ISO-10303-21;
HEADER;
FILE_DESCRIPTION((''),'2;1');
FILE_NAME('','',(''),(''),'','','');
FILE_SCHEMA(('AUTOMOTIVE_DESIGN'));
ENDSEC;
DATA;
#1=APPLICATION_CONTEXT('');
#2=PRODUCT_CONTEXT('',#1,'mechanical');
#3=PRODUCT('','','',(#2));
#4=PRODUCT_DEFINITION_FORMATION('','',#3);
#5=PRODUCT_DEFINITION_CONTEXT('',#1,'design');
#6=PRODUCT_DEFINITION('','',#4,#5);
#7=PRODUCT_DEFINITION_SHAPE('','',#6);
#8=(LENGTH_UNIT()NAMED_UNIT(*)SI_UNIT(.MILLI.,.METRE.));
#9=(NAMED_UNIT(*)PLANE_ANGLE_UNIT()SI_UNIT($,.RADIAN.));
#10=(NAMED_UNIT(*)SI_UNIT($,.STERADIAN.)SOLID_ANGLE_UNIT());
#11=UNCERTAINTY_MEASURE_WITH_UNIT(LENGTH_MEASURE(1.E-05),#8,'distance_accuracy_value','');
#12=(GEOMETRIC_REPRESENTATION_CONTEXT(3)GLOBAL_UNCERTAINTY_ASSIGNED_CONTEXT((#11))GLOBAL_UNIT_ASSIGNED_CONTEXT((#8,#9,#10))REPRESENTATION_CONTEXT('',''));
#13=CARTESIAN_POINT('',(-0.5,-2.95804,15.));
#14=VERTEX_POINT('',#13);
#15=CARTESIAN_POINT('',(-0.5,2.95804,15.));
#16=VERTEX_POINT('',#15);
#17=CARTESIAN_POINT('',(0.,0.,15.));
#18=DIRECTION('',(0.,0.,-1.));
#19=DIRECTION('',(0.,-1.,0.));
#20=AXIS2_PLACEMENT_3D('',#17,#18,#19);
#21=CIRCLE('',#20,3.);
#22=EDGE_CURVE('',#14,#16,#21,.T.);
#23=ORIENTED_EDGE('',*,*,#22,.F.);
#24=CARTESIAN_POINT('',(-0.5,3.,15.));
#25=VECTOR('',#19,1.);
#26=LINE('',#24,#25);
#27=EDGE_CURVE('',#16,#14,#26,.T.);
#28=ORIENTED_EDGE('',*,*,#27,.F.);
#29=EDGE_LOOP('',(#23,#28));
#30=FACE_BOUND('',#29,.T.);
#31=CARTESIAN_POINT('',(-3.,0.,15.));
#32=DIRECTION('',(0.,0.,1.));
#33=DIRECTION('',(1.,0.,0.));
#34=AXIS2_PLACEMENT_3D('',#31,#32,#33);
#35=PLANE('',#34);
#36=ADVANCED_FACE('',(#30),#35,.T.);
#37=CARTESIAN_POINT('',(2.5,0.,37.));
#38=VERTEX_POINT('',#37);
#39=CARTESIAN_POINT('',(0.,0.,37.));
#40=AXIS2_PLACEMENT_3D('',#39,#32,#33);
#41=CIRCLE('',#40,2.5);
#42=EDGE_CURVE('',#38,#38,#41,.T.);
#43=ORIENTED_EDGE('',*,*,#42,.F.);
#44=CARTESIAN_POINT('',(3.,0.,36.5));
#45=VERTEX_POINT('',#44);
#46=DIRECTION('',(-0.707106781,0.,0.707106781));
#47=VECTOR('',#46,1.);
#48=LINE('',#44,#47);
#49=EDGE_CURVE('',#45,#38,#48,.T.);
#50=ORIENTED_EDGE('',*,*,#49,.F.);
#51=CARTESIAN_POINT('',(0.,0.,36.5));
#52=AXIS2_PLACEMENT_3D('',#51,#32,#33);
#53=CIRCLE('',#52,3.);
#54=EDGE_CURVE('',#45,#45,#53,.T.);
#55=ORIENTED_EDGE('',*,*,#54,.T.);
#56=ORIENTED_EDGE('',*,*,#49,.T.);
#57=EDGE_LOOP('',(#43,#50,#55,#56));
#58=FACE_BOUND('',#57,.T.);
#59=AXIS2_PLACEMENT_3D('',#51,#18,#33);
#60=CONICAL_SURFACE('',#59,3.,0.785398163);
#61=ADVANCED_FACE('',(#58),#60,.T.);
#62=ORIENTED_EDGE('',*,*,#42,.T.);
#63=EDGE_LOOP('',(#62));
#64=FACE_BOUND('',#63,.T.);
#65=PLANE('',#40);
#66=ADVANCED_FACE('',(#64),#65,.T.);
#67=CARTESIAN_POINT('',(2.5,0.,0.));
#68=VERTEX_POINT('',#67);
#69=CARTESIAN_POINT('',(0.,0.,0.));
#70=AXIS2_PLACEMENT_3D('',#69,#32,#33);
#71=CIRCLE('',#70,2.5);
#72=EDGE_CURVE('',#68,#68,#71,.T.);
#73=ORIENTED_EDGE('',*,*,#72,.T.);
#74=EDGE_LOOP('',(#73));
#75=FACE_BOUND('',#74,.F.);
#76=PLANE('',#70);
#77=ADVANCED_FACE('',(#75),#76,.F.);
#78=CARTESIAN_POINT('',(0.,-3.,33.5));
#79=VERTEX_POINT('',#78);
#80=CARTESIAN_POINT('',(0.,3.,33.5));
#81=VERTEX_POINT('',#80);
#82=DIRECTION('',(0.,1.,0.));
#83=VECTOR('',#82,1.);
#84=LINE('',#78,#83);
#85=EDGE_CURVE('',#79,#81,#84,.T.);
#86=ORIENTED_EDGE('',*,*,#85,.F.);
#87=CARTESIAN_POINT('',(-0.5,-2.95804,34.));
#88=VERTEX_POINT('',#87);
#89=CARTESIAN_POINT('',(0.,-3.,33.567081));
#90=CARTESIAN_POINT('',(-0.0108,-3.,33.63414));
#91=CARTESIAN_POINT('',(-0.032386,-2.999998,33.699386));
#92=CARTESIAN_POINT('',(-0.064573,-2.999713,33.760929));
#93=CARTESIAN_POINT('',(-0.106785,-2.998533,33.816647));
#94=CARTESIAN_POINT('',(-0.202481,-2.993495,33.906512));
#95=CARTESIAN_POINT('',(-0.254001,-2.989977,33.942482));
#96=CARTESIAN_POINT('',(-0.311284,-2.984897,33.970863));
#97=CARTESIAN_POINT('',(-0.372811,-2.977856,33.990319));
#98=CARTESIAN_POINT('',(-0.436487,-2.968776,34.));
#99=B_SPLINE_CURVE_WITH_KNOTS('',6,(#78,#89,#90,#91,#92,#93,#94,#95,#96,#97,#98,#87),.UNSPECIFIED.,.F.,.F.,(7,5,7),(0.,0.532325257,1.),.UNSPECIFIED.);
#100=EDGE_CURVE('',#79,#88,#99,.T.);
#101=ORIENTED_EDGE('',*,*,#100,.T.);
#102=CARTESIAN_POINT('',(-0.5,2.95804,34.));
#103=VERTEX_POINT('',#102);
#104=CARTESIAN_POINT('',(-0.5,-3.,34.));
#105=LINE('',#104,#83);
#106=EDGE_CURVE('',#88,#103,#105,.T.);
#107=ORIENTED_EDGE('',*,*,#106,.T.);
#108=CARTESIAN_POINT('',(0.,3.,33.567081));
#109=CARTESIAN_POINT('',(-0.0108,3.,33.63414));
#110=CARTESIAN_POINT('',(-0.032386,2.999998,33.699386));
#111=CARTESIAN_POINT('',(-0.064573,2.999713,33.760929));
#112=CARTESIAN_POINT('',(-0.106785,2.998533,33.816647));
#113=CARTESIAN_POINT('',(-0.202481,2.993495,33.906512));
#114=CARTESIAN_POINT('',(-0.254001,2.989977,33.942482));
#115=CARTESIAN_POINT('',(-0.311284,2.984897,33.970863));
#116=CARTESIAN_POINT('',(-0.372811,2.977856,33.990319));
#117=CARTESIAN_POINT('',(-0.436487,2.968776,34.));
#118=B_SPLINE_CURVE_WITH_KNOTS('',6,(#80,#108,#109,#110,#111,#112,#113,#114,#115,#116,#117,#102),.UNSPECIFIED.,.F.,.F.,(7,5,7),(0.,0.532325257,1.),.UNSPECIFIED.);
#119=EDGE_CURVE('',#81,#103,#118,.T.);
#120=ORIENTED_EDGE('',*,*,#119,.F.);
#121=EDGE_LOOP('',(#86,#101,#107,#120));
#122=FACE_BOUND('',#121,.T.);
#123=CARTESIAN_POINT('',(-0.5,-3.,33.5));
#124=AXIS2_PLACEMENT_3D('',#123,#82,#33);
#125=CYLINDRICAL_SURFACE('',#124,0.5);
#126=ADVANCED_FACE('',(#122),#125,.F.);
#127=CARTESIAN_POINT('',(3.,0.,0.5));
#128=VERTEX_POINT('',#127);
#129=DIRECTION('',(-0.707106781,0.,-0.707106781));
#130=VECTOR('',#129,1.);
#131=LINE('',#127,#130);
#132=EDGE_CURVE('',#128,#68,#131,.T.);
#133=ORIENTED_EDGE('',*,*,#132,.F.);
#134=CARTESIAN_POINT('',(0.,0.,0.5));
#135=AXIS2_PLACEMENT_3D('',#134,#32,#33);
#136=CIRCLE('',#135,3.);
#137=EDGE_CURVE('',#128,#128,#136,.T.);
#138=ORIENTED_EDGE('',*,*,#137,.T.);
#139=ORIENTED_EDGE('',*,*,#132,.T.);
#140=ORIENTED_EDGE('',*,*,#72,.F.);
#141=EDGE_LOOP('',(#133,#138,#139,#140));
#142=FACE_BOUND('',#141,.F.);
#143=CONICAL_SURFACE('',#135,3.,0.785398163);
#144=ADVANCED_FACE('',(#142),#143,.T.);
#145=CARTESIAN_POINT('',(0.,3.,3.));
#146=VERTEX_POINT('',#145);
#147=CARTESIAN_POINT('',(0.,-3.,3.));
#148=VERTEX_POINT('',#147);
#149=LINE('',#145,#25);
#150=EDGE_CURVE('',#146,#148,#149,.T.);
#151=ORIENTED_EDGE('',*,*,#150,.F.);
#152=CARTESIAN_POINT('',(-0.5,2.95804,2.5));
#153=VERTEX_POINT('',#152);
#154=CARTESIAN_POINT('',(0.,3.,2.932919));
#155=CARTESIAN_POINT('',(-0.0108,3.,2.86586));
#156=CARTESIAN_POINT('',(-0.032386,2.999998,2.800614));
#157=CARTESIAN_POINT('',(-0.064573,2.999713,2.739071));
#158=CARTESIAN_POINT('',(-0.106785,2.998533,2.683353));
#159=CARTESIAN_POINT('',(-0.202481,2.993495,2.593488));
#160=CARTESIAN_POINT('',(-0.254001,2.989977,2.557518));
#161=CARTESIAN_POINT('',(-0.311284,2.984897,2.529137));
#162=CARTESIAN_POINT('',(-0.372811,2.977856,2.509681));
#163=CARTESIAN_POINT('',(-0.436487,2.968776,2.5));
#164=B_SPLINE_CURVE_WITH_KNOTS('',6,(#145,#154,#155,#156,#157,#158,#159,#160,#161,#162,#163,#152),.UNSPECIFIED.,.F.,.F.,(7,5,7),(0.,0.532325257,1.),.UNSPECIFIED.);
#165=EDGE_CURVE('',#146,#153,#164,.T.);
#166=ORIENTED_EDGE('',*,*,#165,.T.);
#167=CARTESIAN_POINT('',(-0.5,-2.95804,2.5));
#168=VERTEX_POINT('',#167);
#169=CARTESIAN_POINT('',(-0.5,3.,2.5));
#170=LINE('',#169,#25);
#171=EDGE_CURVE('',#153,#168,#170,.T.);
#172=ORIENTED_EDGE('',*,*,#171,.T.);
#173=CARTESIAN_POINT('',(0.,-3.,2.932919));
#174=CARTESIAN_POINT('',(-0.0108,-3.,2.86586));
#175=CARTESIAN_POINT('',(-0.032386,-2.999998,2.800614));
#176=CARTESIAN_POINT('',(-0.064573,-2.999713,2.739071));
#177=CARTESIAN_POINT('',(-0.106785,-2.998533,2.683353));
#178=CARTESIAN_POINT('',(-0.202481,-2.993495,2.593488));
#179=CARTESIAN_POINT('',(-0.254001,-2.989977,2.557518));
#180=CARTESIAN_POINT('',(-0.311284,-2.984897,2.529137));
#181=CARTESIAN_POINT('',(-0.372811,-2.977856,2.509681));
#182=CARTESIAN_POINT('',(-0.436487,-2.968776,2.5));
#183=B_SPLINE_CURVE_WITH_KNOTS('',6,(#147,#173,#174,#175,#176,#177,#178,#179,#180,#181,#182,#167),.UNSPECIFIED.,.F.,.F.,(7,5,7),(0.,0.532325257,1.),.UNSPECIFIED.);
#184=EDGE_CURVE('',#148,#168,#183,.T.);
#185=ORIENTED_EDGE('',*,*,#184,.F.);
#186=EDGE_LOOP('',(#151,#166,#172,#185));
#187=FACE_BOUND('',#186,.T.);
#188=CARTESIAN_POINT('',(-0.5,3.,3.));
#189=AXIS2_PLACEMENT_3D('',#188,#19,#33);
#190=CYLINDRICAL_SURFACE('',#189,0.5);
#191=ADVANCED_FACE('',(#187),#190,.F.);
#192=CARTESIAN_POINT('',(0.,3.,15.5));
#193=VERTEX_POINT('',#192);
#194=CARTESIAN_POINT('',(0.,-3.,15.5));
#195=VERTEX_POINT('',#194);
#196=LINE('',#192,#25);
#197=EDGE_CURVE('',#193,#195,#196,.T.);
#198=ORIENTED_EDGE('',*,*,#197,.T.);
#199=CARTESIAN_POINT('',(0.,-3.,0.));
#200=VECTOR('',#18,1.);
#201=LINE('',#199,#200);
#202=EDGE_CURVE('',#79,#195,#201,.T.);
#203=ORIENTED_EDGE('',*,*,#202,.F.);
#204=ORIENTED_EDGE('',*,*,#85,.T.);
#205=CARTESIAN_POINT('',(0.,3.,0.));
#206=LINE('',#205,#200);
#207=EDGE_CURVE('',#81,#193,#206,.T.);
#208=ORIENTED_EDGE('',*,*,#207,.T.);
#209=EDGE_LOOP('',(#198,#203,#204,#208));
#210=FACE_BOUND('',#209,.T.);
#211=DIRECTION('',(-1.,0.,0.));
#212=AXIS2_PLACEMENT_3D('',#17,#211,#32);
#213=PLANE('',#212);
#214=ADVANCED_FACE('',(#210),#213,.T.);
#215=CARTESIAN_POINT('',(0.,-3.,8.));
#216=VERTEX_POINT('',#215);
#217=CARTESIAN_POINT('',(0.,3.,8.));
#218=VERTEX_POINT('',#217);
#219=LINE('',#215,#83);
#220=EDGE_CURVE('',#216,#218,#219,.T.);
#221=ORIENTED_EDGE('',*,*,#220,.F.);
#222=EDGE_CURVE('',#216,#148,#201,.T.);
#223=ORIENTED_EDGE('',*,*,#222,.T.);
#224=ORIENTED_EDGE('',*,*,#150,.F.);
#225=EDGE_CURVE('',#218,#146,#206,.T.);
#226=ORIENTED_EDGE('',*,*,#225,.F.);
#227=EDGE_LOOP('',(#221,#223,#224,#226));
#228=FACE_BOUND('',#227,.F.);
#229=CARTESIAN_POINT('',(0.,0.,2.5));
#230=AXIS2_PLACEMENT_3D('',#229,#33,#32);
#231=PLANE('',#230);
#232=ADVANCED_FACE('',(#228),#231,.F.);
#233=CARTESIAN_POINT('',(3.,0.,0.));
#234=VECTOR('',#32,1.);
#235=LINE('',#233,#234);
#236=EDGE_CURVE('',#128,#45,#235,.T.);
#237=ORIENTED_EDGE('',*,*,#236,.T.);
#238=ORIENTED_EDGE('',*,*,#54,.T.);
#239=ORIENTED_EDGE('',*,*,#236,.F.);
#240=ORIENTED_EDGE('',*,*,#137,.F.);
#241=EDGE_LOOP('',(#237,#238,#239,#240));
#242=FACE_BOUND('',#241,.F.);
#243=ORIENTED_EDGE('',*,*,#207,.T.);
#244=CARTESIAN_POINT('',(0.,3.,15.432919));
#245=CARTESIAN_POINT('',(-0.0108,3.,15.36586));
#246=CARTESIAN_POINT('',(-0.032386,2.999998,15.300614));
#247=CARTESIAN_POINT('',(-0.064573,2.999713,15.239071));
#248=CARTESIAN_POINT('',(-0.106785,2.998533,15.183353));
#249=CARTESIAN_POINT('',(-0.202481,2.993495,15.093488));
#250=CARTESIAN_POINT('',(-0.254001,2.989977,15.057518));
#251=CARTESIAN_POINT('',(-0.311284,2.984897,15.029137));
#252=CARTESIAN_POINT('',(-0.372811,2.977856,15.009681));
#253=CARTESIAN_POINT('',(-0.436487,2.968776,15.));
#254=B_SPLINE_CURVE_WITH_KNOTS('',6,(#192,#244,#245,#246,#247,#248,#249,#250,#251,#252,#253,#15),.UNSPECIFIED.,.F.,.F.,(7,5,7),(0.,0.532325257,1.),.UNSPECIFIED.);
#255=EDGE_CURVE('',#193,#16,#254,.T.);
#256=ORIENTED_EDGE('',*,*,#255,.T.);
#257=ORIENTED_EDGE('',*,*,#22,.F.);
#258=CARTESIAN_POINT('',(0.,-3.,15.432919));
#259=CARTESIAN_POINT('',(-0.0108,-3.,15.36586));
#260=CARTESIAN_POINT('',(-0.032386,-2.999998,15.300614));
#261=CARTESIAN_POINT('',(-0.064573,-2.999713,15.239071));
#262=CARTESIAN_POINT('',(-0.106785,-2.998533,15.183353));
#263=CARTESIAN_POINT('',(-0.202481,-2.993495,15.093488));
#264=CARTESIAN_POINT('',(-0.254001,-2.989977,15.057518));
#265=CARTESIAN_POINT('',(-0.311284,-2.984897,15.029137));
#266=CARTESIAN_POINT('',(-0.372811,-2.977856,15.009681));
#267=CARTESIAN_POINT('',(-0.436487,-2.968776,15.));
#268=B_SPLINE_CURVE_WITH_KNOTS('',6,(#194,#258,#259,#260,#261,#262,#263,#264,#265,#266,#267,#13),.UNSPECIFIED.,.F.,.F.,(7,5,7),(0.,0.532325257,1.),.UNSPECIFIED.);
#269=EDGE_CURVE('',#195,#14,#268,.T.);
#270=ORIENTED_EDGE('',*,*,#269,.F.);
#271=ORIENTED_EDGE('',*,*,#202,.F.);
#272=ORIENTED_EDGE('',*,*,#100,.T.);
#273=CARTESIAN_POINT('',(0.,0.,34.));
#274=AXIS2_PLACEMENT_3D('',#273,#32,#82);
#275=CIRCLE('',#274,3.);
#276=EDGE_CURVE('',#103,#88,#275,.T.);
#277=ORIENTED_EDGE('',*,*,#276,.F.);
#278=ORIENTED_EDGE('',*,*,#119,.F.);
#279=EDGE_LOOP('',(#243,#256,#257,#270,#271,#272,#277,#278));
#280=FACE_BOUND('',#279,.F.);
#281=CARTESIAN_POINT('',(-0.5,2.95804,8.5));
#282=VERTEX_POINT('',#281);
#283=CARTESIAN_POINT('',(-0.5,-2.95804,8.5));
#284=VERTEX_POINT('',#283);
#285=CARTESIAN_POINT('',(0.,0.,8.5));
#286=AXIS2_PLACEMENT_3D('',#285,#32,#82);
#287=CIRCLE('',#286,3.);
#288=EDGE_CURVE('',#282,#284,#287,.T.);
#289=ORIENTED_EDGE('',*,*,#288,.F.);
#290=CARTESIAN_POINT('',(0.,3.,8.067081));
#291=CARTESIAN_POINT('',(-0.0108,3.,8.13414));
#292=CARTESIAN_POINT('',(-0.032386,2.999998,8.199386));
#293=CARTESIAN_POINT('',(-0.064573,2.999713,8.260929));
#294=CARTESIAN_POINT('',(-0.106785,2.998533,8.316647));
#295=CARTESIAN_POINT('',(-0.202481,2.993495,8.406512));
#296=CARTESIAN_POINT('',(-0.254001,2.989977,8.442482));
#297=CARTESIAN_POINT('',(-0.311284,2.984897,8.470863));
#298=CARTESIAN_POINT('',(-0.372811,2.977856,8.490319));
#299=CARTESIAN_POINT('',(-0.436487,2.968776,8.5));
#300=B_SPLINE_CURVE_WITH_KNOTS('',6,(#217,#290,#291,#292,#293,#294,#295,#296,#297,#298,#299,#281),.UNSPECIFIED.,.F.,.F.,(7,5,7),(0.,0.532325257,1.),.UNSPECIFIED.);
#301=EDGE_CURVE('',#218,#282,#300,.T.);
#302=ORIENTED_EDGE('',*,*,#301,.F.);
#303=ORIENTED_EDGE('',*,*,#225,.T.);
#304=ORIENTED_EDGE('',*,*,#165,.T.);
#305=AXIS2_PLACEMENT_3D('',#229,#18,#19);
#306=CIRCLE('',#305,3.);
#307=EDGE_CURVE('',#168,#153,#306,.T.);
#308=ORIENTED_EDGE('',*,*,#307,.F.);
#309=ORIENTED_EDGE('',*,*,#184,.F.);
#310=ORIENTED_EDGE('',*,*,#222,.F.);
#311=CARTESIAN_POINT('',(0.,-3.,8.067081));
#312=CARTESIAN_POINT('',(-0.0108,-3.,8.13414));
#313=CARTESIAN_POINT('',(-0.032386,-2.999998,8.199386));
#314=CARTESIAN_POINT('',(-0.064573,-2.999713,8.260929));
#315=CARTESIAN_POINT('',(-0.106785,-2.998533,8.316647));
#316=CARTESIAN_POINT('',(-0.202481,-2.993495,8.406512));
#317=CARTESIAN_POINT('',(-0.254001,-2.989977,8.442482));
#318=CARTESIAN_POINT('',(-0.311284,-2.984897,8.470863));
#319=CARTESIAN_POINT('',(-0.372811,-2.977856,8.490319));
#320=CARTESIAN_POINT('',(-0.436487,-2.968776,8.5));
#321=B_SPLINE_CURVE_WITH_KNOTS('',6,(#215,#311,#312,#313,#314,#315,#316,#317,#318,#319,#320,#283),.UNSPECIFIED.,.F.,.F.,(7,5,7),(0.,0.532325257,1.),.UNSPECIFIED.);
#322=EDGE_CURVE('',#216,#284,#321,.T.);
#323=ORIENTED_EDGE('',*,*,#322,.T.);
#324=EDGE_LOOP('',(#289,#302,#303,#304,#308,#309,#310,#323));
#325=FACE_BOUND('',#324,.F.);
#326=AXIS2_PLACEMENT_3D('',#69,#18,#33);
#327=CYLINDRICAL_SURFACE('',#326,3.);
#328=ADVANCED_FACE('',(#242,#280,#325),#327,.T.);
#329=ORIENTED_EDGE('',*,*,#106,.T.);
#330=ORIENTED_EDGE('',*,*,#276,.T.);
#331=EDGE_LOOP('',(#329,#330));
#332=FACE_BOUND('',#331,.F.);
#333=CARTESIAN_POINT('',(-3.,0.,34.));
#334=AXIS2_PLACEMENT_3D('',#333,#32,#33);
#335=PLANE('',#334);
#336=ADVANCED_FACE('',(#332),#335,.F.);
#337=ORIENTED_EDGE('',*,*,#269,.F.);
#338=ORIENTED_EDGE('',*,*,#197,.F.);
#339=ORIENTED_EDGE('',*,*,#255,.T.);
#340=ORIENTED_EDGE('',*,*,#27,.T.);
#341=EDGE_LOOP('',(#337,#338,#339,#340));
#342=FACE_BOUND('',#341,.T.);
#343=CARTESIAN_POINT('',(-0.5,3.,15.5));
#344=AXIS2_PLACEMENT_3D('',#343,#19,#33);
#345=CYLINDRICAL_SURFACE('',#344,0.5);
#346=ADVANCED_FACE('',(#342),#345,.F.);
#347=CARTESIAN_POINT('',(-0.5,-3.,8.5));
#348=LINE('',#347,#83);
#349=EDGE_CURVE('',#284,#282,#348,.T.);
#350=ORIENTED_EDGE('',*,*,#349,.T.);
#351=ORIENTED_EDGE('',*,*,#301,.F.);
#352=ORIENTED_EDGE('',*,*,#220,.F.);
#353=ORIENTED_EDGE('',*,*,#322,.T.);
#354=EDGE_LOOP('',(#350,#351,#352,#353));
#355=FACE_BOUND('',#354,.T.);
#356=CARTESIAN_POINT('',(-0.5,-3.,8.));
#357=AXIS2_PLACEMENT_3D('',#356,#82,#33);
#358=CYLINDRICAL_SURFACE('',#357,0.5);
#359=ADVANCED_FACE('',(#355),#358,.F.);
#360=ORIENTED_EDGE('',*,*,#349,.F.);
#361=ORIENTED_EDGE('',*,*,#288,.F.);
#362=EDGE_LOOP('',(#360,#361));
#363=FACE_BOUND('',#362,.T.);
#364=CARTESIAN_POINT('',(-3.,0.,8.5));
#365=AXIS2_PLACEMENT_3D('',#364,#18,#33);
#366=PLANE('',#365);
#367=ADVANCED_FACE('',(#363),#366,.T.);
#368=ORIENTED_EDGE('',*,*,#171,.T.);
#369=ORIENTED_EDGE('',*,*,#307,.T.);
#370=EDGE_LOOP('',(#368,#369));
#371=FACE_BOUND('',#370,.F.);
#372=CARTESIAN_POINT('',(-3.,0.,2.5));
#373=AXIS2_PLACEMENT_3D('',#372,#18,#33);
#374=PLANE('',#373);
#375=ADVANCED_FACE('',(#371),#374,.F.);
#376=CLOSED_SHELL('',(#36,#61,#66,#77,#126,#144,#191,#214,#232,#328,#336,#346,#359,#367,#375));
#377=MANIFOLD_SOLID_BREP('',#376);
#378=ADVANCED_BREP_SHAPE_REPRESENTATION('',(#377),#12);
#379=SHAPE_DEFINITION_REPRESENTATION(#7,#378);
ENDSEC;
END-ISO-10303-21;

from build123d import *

# Parameters (mm, degrees)
F0_R     = 3
F1_DEPTH = 37
F2_W     = 3
F2_H     = 19
F2_H_2   = 6
F3_DEPTH = 12.5
F4_SIZE  = 0.5
F5_R     = 0.5


with BuildPart() as f1:
    # F0 (on Top) → F1 (new body)
    with BuildSketch(Plane.XY):
        Circle(F0_R)
    extrude(amount=F1_DEPTH)

    # F2 (on Front) → F3 (cut, symmetric)
    with BuildSketch(Plane.XZ):
        with Locations((-1.5, 24.5)):
            Rectangle(F2_W, F2_H)
        with Locations((-1.5, 5.5)):
            Rectangle(F2_W, F2_H_2)
    extrude(amount=F3_DEPTH, both=True, mode=Mode.SUBTRACT)

    # F4
    f4_edges = [f1.edges().sort_by_distance(p)[0] for p in [
        (-3, 0, 37),
        (-3, 0, 0),
    ]]
    chamfer(f4_edges, length=F4_SIZE)

    # F5
    f5_edges = [f1.edges().sort_by_distance(p)[0] for p in [
        (0, 0, 8.5),
        (0, 0, 2.5),
        (0, 0, 15),
        (0, 0, 34),
    ]]
    fillet(f5_edges, radius=F5_R)


solid = f1.part
